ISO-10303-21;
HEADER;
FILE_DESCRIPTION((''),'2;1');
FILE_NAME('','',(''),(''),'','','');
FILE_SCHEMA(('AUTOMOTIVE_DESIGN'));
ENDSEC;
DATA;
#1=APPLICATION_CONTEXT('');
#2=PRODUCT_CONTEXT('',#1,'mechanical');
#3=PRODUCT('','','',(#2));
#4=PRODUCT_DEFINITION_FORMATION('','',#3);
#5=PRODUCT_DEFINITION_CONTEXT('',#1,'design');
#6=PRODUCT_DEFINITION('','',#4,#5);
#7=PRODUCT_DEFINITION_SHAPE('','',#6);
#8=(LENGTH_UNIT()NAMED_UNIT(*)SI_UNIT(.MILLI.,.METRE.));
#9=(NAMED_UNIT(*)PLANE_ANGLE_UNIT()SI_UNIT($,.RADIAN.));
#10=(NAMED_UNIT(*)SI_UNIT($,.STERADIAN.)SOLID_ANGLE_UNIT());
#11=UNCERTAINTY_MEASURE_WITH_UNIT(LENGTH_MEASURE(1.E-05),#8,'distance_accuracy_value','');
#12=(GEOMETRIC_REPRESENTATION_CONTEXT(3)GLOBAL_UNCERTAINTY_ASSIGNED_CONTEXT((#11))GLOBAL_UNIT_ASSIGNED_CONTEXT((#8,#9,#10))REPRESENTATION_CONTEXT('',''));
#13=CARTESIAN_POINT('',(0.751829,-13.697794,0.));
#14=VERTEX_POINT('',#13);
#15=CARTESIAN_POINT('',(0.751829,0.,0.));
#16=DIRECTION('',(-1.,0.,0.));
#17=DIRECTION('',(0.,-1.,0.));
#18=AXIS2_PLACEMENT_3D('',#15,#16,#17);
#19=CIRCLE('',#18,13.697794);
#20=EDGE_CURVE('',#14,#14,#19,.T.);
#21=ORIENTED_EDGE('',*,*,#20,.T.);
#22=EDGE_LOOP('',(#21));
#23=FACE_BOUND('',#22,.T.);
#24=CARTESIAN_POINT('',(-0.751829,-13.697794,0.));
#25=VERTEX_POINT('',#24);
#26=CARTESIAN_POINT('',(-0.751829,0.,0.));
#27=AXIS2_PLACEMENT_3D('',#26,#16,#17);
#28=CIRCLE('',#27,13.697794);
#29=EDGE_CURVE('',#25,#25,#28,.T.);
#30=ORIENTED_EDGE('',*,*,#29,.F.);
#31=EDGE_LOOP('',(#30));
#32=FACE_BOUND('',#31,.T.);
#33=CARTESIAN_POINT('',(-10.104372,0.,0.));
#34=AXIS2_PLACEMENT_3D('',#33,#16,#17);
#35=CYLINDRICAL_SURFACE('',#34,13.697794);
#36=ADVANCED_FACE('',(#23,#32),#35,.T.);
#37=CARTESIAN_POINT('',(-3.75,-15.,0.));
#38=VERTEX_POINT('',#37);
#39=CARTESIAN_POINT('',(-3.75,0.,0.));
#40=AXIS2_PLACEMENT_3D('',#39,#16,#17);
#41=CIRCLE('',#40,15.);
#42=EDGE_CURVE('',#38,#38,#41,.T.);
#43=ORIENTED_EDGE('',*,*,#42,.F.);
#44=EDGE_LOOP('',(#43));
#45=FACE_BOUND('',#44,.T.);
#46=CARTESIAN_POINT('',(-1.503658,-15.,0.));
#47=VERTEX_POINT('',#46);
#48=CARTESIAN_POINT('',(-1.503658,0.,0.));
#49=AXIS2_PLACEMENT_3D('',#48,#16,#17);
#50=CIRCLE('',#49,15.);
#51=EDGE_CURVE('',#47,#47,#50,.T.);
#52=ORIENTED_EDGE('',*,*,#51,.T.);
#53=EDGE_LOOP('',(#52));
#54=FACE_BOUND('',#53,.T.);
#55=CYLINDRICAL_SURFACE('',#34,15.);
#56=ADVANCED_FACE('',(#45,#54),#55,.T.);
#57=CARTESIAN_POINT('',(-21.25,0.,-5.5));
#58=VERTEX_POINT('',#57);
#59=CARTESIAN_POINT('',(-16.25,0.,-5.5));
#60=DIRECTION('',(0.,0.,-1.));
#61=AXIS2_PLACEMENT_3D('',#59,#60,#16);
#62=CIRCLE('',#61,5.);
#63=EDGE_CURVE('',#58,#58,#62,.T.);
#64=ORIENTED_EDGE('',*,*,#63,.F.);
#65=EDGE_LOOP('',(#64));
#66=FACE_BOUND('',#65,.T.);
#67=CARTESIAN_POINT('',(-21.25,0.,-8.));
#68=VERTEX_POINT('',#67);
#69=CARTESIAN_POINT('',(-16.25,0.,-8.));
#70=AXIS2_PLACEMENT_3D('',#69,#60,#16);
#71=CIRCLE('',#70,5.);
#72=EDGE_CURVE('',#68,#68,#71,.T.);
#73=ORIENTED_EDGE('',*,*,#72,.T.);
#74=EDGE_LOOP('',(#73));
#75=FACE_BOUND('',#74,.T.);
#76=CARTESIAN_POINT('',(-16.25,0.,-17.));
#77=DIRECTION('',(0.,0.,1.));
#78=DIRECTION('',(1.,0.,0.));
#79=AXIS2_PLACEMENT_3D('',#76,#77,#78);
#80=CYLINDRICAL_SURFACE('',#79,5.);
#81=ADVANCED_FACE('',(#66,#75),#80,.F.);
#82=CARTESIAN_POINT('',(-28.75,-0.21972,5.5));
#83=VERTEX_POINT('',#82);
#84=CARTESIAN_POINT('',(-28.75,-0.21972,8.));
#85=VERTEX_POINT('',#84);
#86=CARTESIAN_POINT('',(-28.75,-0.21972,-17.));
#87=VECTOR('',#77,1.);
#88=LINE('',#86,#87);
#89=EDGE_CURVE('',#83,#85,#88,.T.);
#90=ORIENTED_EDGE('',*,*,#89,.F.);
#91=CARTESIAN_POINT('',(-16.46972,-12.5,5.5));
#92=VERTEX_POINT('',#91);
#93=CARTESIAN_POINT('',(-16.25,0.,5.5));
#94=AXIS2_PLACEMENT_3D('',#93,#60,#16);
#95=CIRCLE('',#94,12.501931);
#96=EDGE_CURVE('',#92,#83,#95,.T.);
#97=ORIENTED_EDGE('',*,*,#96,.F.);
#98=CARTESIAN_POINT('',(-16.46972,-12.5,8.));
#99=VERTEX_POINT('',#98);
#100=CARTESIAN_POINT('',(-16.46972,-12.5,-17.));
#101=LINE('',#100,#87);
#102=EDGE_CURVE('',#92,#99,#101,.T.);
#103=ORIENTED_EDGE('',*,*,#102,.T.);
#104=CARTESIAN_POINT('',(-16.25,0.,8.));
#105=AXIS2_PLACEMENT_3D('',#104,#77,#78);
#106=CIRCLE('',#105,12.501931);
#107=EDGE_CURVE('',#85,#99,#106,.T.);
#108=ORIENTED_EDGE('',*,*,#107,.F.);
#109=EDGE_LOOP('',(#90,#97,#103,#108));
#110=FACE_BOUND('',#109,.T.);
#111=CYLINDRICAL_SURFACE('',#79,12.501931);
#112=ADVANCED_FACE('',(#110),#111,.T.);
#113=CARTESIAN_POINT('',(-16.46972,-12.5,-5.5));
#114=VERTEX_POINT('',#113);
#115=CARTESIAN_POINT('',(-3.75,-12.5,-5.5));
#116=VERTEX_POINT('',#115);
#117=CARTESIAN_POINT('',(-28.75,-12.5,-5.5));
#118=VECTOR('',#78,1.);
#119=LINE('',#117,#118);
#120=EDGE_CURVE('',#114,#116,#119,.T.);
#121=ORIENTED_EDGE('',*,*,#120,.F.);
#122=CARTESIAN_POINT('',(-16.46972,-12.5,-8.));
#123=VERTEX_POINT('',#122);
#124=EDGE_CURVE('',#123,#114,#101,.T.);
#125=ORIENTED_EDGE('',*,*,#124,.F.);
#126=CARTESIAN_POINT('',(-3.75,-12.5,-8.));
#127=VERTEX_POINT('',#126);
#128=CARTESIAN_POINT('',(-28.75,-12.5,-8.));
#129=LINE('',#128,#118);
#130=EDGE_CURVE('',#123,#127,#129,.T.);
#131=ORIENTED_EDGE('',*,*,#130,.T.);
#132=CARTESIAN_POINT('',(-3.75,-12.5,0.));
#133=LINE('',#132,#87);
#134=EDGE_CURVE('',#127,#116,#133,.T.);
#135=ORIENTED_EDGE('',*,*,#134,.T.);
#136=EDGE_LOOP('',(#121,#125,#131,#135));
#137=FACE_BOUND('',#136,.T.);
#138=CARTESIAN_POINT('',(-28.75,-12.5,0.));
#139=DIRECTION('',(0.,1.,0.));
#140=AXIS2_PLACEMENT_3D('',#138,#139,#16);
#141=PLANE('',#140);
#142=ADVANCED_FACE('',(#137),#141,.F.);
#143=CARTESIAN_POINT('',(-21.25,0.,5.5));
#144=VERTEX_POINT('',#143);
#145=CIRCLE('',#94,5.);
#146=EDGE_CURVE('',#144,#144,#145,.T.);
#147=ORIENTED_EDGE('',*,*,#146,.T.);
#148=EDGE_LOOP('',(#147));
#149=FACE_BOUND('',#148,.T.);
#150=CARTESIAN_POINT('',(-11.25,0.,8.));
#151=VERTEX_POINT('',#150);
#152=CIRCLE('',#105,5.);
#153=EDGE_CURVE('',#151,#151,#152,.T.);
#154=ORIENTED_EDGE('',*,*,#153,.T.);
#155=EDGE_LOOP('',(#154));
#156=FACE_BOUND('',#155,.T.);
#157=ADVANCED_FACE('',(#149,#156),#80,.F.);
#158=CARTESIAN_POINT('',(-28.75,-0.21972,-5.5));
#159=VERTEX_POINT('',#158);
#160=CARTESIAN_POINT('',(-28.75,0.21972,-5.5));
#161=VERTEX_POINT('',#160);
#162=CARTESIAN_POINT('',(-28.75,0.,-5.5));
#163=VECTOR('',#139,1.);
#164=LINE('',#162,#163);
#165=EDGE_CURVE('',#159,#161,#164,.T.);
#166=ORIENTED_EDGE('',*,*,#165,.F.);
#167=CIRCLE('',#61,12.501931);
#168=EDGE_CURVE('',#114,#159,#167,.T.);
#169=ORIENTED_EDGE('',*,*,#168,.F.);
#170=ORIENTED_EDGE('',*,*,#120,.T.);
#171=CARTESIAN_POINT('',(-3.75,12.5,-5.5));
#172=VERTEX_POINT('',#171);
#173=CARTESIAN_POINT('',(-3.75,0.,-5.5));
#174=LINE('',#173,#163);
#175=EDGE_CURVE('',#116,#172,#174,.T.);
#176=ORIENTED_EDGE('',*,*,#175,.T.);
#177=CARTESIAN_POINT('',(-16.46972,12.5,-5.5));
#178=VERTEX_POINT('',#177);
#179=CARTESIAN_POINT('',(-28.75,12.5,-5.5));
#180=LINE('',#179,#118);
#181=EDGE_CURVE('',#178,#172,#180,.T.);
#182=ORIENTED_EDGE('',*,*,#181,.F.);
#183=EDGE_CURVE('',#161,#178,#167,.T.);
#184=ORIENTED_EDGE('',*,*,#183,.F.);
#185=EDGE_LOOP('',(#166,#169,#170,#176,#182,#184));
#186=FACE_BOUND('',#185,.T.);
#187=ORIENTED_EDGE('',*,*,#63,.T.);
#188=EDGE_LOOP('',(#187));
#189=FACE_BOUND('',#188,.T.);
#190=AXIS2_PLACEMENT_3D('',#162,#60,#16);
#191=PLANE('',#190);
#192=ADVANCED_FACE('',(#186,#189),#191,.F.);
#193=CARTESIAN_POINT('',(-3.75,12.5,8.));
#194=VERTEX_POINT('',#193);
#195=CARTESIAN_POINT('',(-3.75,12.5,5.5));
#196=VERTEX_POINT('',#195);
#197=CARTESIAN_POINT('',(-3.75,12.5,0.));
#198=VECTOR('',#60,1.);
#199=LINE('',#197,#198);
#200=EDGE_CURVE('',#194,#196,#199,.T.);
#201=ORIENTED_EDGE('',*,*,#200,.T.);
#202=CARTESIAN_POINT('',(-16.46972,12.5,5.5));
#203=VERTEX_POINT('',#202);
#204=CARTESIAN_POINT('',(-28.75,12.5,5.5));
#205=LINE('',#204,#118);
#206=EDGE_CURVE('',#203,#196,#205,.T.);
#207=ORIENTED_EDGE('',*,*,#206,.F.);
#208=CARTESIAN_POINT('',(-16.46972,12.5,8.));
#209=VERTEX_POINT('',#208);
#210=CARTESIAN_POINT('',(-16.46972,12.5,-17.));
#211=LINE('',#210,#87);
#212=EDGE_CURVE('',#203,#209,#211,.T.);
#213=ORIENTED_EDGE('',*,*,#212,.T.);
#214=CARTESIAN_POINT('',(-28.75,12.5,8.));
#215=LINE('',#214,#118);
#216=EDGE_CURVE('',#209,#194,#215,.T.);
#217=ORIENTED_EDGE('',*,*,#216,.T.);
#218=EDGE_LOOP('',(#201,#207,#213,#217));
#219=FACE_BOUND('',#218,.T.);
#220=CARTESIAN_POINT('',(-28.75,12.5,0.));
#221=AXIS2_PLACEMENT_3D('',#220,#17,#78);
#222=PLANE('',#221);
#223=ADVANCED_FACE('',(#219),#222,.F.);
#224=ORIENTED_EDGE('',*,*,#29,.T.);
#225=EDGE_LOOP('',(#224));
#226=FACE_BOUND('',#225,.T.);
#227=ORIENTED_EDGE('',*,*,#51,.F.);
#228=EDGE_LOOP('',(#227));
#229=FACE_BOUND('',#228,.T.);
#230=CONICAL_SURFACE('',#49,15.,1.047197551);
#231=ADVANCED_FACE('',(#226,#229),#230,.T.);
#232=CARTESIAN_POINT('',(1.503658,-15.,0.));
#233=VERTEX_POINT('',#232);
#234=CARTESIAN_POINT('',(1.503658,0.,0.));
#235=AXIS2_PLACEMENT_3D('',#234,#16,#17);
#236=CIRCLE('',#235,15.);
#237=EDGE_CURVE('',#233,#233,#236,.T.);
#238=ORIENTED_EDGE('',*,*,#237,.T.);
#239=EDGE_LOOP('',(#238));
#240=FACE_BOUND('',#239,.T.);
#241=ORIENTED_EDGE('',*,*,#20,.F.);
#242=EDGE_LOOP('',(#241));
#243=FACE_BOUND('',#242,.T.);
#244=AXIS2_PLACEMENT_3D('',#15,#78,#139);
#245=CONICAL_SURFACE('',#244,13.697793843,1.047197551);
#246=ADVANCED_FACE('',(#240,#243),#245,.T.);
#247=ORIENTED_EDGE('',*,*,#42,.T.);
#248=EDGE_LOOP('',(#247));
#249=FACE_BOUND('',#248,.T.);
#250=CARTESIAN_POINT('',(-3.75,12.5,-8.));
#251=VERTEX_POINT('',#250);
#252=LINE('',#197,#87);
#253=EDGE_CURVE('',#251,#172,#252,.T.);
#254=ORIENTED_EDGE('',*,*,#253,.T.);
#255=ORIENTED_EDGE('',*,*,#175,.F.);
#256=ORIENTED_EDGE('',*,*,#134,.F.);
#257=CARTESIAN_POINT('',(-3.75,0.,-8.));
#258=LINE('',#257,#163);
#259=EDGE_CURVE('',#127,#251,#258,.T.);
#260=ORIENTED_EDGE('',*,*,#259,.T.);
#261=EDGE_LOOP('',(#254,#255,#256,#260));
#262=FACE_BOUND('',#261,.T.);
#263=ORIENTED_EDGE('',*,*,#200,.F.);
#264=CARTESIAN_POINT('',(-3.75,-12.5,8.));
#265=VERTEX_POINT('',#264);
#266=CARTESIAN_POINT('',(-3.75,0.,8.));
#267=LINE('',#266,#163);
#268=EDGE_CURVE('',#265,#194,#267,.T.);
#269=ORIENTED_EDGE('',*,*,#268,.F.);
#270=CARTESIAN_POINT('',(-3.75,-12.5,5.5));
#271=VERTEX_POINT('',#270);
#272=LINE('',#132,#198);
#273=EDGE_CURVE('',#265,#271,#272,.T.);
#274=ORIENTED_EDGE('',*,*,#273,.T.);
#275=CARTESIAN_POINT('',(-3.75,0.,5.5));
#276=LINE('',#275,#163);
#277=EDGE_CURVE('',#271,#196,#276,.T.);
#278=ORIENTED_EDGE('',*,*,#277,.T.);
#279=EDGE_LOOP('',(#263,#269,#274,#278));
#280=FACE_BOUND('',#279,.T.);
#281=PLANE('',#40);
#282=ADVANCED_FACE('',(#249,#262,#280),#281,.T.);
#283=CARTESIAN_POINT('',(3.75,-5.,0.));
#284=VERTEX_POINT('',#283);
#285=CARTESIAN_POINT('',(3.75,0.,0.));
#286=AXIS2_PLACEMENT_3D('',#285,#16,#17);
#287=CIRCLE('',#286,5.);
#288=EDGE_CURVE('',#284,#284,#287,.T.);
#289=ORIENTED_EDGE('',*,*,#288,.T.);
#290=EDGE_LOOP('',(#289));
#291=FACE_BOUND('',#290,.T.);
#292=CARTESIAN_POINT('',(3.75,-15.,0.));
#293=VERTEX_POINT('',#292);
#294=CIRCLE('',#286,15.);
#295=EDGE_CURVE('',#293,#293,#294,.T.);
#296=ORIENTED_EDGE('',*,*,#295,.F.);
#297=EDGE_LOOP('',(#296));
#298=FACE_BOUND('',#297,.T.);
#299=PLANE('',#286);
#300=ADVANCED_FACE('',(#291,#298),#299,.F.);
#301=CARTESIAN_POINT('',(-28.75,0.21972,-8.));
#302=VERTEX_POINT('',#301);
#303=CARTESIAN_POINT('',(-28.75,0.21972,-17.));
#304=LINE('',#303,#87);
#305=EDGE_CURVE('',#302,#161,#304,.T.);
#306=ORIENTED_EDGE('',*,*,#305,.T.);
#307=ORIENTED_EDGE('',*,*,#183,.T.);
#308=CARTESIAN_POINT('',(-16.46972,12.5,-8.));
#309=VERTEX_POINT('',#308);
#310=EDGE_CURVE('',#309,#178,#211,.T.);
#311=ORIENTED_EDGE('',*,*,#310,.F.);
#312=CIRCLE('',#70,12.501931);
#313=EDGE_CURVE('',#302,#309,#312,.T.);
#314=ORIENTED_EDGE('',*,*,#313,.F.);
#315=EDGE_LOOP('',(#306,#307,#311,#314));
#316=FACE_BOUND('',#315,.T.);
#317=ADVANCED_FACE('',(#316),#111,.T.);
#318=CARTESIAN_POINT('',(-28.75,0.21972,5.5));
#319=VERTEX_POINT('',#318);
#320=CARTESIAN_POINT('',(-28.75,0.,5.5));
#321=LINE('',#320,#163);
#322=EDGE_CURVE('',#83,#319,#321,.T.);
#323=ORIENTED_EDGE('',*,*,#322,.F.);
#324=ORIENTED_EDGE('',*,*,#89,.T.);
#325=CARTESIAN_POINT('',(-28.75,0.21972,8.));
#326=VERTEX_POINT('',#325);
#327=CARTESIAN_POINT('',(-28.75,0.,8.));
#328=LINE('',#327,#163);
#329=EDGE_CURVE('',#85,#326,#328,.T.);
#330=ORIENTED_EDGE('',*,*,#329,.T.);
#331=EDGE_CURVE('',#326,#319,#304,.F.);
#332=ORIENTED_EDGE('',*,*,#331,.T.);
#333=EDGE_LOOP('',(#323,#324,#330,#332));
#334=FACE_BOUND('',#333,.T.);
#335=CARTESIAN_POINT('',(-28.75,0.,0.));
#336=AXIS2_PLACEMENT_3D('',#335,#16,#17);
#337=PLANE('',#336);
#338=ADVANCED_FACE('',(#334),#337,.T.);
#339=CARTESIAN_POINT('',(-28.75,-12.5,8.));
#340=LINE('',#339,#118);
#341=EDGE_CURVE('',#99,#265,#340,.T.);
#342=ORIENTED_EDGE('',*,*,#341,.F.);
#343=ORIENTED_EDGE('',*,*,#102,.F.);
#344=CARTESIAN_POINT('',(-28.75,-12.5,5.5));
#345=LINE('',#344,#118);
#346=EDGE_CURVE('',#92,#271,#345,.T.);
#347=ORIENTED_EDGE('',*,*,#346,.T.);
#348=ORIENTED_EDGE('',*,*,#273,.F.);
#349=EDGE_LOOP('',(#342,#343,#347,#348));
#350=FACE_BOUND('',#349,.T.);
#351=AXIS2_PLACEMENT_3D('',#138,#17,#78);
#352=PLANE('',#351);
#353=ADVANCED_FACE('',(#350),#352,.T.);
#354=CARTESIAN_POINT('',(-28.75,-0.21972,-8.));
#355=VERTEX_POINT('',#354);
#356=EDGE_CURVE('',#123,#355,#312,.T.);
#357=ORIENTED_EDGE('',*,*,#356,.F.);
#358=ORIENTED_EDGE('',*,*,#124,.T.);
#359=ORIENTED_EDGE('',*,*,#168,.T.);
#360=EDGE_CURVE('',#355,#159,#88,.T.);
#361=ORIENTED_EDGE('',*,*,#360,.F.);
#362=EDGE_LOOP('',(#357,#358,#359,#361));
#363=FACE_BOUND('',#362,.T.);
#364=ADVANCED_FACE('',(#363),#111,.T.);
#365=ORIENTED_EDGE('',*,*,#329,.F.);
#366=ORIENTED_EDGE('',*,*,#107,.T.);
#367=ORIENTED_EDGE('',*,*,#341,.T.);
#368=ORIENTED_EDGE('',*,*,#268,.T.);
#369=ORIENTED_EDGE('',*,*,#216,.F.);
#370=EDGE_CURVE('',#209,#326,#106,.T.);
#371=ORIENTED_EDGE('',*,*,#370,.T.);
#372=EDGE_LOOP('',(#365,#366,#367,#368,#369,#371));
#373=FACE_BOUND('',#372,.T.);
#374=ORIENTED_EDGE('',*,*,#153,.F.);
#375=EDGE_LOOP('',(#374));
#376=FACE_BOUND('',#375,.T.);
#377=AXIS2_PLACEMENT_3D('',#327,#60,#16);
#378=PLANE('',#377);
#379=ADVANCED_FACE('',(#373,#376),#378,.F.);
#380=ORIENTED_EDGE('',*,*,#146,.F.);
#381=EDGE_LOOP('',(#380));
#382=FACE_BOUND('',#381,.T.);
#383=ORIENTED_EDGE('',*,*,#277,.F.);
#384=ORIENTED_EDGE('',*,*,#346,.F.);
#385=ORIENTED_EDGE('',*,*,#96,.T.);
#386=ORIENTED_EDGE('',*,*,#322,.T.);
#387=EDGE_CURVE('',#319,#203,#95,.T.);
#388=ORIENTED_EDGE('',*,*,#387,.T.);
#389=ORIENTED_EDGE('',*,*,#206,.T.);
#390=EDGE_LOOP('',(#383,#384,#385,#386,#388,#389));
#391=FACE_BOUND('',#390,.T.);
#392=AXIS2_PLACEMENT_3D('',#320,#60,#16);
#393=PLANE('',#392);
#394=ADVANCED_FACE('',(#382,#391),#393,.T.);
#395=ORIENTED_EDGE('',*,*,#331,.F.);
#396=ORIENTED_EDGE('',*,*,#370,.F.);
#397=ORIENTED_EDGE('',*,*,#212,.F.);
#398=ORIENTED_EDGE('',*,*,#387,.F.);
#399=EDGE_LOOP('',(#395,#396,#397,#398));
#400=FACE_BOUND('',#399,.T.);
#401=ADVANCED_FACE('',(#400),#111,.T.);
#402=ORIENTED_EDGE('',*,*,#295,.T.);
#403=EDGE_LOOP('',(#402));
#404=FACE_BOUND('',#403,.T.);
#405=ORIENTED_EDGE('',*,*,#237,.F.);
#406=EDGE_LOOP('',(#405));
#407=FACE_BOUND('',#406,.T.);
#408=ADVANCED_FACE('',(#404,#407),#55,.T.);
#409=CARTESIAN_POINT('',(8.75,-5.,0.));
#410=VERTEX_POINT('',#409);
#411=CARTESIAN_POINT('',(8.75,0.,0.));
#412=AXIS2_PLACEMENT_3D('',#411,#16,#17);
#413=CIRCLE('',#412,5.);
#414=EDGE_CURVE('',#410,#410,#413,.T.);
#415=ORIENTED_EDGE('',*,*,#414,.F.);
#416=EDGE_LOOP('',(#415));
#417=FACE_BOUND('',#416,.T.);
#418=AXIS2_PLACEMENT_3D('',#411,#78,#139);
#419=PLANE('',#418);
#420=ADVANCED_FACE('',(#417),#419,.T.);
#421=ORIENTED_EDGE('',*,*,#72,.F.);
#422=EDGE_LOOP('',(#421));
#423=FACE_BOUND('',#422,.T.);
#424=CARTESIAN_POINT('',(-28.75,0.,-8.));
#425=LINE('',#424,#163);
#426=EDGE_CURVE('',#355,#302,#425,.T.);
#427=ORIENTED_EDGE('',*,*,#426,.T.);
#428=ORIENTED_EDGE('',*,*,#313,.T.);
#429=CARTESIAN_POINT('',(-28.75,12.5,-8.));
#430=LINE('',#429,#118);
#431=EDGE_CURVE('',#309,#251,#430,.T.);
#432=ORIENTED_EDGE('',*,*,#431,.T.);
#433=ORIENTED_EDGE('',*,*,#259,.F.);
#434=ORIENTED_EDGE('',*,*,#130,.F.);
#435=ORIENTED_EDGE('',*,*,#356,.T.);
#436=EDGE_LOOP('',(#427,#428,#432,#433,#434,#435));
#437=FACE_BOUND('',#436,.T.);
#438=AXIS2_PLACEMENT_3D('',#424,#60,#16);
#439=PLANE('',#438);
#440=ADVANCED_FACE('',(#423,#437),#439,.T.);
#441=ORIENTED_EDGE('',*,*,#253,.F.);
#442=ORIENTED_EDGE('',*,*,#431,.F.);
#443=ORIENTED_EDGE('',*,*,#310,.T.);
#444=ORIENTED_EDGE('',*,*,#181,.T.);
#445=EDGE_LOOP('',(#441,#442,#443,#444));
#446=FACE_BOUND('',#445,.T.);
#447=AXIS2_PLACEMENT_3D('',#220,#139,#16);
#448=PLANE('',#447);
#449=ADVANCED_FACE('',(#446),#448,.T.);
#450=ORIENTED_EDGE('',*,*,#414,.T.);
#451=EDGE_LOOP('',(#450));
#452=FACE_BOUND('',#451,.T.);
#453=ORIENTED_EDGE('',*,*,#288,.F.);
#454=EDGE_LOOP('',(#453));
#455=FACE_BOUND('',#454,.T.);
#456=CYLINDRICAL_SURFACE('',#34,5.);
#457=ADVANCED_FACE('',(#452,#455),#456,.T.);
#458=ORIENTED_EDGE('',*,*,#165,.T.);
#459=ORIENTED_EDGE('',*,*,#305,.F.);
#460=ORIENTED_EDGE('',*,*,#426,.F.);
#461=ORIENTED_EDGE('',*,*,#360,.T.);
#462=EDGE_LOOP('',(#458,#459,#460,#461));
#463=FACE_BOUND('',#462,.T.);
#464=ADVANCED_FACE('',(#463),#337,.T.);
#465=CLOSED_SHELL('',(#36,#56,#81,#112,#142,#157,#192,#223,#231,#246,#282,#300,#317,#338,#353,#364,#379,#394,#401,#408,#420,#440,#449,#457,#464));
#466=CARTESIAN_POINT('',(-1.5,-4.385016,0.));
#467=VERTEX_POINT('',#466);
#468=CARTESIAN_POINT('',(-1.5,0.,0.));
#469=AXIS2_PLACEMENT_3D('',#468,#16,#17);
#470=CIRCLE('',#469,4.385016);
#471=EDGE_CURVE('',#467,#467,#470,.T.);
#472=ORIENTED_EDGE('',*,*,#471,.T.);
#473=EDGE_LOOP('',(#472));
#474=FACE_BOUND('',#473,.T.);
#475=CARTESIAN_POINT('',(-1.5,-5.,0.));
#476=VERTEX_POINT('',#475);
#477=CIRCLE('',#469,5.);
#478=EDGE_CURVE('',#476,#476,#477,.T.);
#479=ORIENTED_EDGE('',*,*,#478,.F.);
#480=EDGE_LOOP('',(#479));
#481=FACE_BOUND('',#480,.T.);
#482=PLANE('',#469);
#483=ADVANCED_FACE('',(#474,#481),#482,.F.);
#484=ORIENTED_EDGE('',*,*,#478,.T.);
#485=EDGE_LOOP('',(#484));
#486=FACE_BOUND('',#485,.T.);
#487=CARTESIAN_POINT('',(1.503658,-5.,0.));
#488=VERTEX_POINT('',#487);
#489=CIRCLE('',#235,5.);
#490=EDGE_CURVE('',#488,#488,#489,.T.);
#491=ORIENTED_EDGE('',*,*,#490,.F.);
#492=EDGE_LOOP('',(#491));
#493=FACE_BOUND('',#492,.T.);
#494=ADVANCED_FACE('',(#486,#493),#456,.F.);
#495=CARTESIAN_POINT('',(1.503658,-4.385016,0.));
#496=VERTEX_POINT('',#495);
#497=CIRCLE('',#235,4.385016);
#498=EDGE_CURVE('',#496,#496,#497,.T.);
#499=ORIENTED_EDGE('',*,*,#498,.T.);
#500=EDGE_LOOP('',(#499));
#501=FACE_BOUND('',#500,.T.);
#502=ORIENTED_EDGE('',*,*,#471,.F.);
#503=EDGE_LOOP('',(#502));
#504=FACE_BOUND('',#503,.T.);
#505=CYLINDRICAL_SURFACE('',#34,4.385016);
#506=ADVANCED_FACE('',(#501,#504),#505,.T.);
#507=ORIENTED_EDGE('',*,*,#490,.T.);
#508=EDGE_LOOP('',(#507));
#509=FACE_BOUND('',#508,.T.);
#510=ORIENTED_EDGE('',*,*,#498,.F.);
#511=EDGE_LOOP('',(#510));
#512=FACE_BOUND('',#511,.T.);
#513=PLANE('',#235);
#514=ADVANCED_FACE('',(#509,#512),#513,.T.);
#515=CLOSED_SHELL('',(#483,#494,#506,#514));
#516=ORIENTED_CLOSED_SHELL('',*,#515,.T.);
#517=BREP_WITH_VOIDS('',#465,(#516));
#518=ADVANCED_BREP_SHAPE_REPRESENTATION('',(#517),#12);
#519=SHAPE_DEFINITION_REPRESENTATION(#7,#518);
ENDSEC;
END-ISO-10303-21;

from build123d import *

# Parameters (mm, degrees)
CROQUIS1_ONE_SIDE_W     = 3.003658151
CROQUIS1_ONE_SIDE_H     = 0.614983514
CROQUIS2_W              = 2.5
CROQUIS2_H              = 25
SALIENTE_EXTRUIR1_DEPTH = 25
CORTAR_EXTRUIR1_DEPTH   = 25


with BuildPart() as part:
    # Croquis1 one side → Revolución1 (revolve)
    with BuildSketch(Plane.XY, mode=Mode.PRIVATE) as revoluci_n1_sk:
        Polygon((-3.75, 15), (-3.75, 0), (3.75, 0), (8.75, 0), (8.75, 5), (3.75, 5), (3.75, 15), (1.503658151, 15), (0.751829076, 13.697793843), (-0.751829076, 13.697793843), (-1.503658151, 15), align=None)
        with Locations((0.001829075, 4.692508243)):
            Rectangle(CROQUIS1_ONE_SIDE_W, CROQUIS1_ONE_SIDE_H, mode=Mode.SUBTRACT)
    revolve(revoluci_n1_sk.sketch.rotate(Axis((-10.104371621, 0, 0), (1, 0, 0)), 180), axis=Axis((-10.104371621, 0, 0), (1, 0, 0)))

    # Croquis2 → Saliente-Extruir1 (add)
    with BuildSketch(Plane.ZY.offset(3.75)):
        with Locations((-6.75, 0)):
            Rectangle(CROQUIS2_W, CROQUIS2_H)
        with Locations((6.75, 0)):
            Rectangle(CROQUIS2_W, CROQUIS2_H)
    extrude(amount=SALIENTE_EXTRUIR1_DEPTH)

    # Croquis3 → Cortar-Extruir1 (cut)
    with BuildSketch(Plane.XY.offset(8)):
        with BuildLine():
            Line((-16.469719797, 12.5), (-28.75, 12.5))
            Line((-28.75, 12.5), (-28.75, 0.219719797))
            ThreePointArc((-28.75, 0.219719797), (-25.090200133, 8.840200133), (-16.469719797, 12.5))
        make_face()
        with BuildLine():
            Line((-28.75, -0.219719797), (-28.75, -12.5))
            Line((-28.75, -12.5), (-16.469719797, -12.5))
            ThreePointArc((-16.469719797, -12.5), (-25.090200133, -8.840200133), (-28.75, -0.219719797))
        make_face()
        with BuildLine():
            ThreePointArc((-11.25, 0), (-12.714466094, 3.535533906), (-16.25, 5))
            Line((-16.25, 5), (-16.25, -5))
            ThreePointArc((-16.25, -5), (-12.714466094, -3.535533906), (-11.25, 0))
        make_face()
        with BuildLine():
            Line((-16.25, -5), (-16.25, 5))
            ThreePointArc((-16.25, 5), (-21.25, 0), (-16.25, -5))
        make_face()
    extrude(amount=-CORTAR_EXTRUIR1_DEPTH, mode=Mode.SUBTRACT)


solid = part.part
